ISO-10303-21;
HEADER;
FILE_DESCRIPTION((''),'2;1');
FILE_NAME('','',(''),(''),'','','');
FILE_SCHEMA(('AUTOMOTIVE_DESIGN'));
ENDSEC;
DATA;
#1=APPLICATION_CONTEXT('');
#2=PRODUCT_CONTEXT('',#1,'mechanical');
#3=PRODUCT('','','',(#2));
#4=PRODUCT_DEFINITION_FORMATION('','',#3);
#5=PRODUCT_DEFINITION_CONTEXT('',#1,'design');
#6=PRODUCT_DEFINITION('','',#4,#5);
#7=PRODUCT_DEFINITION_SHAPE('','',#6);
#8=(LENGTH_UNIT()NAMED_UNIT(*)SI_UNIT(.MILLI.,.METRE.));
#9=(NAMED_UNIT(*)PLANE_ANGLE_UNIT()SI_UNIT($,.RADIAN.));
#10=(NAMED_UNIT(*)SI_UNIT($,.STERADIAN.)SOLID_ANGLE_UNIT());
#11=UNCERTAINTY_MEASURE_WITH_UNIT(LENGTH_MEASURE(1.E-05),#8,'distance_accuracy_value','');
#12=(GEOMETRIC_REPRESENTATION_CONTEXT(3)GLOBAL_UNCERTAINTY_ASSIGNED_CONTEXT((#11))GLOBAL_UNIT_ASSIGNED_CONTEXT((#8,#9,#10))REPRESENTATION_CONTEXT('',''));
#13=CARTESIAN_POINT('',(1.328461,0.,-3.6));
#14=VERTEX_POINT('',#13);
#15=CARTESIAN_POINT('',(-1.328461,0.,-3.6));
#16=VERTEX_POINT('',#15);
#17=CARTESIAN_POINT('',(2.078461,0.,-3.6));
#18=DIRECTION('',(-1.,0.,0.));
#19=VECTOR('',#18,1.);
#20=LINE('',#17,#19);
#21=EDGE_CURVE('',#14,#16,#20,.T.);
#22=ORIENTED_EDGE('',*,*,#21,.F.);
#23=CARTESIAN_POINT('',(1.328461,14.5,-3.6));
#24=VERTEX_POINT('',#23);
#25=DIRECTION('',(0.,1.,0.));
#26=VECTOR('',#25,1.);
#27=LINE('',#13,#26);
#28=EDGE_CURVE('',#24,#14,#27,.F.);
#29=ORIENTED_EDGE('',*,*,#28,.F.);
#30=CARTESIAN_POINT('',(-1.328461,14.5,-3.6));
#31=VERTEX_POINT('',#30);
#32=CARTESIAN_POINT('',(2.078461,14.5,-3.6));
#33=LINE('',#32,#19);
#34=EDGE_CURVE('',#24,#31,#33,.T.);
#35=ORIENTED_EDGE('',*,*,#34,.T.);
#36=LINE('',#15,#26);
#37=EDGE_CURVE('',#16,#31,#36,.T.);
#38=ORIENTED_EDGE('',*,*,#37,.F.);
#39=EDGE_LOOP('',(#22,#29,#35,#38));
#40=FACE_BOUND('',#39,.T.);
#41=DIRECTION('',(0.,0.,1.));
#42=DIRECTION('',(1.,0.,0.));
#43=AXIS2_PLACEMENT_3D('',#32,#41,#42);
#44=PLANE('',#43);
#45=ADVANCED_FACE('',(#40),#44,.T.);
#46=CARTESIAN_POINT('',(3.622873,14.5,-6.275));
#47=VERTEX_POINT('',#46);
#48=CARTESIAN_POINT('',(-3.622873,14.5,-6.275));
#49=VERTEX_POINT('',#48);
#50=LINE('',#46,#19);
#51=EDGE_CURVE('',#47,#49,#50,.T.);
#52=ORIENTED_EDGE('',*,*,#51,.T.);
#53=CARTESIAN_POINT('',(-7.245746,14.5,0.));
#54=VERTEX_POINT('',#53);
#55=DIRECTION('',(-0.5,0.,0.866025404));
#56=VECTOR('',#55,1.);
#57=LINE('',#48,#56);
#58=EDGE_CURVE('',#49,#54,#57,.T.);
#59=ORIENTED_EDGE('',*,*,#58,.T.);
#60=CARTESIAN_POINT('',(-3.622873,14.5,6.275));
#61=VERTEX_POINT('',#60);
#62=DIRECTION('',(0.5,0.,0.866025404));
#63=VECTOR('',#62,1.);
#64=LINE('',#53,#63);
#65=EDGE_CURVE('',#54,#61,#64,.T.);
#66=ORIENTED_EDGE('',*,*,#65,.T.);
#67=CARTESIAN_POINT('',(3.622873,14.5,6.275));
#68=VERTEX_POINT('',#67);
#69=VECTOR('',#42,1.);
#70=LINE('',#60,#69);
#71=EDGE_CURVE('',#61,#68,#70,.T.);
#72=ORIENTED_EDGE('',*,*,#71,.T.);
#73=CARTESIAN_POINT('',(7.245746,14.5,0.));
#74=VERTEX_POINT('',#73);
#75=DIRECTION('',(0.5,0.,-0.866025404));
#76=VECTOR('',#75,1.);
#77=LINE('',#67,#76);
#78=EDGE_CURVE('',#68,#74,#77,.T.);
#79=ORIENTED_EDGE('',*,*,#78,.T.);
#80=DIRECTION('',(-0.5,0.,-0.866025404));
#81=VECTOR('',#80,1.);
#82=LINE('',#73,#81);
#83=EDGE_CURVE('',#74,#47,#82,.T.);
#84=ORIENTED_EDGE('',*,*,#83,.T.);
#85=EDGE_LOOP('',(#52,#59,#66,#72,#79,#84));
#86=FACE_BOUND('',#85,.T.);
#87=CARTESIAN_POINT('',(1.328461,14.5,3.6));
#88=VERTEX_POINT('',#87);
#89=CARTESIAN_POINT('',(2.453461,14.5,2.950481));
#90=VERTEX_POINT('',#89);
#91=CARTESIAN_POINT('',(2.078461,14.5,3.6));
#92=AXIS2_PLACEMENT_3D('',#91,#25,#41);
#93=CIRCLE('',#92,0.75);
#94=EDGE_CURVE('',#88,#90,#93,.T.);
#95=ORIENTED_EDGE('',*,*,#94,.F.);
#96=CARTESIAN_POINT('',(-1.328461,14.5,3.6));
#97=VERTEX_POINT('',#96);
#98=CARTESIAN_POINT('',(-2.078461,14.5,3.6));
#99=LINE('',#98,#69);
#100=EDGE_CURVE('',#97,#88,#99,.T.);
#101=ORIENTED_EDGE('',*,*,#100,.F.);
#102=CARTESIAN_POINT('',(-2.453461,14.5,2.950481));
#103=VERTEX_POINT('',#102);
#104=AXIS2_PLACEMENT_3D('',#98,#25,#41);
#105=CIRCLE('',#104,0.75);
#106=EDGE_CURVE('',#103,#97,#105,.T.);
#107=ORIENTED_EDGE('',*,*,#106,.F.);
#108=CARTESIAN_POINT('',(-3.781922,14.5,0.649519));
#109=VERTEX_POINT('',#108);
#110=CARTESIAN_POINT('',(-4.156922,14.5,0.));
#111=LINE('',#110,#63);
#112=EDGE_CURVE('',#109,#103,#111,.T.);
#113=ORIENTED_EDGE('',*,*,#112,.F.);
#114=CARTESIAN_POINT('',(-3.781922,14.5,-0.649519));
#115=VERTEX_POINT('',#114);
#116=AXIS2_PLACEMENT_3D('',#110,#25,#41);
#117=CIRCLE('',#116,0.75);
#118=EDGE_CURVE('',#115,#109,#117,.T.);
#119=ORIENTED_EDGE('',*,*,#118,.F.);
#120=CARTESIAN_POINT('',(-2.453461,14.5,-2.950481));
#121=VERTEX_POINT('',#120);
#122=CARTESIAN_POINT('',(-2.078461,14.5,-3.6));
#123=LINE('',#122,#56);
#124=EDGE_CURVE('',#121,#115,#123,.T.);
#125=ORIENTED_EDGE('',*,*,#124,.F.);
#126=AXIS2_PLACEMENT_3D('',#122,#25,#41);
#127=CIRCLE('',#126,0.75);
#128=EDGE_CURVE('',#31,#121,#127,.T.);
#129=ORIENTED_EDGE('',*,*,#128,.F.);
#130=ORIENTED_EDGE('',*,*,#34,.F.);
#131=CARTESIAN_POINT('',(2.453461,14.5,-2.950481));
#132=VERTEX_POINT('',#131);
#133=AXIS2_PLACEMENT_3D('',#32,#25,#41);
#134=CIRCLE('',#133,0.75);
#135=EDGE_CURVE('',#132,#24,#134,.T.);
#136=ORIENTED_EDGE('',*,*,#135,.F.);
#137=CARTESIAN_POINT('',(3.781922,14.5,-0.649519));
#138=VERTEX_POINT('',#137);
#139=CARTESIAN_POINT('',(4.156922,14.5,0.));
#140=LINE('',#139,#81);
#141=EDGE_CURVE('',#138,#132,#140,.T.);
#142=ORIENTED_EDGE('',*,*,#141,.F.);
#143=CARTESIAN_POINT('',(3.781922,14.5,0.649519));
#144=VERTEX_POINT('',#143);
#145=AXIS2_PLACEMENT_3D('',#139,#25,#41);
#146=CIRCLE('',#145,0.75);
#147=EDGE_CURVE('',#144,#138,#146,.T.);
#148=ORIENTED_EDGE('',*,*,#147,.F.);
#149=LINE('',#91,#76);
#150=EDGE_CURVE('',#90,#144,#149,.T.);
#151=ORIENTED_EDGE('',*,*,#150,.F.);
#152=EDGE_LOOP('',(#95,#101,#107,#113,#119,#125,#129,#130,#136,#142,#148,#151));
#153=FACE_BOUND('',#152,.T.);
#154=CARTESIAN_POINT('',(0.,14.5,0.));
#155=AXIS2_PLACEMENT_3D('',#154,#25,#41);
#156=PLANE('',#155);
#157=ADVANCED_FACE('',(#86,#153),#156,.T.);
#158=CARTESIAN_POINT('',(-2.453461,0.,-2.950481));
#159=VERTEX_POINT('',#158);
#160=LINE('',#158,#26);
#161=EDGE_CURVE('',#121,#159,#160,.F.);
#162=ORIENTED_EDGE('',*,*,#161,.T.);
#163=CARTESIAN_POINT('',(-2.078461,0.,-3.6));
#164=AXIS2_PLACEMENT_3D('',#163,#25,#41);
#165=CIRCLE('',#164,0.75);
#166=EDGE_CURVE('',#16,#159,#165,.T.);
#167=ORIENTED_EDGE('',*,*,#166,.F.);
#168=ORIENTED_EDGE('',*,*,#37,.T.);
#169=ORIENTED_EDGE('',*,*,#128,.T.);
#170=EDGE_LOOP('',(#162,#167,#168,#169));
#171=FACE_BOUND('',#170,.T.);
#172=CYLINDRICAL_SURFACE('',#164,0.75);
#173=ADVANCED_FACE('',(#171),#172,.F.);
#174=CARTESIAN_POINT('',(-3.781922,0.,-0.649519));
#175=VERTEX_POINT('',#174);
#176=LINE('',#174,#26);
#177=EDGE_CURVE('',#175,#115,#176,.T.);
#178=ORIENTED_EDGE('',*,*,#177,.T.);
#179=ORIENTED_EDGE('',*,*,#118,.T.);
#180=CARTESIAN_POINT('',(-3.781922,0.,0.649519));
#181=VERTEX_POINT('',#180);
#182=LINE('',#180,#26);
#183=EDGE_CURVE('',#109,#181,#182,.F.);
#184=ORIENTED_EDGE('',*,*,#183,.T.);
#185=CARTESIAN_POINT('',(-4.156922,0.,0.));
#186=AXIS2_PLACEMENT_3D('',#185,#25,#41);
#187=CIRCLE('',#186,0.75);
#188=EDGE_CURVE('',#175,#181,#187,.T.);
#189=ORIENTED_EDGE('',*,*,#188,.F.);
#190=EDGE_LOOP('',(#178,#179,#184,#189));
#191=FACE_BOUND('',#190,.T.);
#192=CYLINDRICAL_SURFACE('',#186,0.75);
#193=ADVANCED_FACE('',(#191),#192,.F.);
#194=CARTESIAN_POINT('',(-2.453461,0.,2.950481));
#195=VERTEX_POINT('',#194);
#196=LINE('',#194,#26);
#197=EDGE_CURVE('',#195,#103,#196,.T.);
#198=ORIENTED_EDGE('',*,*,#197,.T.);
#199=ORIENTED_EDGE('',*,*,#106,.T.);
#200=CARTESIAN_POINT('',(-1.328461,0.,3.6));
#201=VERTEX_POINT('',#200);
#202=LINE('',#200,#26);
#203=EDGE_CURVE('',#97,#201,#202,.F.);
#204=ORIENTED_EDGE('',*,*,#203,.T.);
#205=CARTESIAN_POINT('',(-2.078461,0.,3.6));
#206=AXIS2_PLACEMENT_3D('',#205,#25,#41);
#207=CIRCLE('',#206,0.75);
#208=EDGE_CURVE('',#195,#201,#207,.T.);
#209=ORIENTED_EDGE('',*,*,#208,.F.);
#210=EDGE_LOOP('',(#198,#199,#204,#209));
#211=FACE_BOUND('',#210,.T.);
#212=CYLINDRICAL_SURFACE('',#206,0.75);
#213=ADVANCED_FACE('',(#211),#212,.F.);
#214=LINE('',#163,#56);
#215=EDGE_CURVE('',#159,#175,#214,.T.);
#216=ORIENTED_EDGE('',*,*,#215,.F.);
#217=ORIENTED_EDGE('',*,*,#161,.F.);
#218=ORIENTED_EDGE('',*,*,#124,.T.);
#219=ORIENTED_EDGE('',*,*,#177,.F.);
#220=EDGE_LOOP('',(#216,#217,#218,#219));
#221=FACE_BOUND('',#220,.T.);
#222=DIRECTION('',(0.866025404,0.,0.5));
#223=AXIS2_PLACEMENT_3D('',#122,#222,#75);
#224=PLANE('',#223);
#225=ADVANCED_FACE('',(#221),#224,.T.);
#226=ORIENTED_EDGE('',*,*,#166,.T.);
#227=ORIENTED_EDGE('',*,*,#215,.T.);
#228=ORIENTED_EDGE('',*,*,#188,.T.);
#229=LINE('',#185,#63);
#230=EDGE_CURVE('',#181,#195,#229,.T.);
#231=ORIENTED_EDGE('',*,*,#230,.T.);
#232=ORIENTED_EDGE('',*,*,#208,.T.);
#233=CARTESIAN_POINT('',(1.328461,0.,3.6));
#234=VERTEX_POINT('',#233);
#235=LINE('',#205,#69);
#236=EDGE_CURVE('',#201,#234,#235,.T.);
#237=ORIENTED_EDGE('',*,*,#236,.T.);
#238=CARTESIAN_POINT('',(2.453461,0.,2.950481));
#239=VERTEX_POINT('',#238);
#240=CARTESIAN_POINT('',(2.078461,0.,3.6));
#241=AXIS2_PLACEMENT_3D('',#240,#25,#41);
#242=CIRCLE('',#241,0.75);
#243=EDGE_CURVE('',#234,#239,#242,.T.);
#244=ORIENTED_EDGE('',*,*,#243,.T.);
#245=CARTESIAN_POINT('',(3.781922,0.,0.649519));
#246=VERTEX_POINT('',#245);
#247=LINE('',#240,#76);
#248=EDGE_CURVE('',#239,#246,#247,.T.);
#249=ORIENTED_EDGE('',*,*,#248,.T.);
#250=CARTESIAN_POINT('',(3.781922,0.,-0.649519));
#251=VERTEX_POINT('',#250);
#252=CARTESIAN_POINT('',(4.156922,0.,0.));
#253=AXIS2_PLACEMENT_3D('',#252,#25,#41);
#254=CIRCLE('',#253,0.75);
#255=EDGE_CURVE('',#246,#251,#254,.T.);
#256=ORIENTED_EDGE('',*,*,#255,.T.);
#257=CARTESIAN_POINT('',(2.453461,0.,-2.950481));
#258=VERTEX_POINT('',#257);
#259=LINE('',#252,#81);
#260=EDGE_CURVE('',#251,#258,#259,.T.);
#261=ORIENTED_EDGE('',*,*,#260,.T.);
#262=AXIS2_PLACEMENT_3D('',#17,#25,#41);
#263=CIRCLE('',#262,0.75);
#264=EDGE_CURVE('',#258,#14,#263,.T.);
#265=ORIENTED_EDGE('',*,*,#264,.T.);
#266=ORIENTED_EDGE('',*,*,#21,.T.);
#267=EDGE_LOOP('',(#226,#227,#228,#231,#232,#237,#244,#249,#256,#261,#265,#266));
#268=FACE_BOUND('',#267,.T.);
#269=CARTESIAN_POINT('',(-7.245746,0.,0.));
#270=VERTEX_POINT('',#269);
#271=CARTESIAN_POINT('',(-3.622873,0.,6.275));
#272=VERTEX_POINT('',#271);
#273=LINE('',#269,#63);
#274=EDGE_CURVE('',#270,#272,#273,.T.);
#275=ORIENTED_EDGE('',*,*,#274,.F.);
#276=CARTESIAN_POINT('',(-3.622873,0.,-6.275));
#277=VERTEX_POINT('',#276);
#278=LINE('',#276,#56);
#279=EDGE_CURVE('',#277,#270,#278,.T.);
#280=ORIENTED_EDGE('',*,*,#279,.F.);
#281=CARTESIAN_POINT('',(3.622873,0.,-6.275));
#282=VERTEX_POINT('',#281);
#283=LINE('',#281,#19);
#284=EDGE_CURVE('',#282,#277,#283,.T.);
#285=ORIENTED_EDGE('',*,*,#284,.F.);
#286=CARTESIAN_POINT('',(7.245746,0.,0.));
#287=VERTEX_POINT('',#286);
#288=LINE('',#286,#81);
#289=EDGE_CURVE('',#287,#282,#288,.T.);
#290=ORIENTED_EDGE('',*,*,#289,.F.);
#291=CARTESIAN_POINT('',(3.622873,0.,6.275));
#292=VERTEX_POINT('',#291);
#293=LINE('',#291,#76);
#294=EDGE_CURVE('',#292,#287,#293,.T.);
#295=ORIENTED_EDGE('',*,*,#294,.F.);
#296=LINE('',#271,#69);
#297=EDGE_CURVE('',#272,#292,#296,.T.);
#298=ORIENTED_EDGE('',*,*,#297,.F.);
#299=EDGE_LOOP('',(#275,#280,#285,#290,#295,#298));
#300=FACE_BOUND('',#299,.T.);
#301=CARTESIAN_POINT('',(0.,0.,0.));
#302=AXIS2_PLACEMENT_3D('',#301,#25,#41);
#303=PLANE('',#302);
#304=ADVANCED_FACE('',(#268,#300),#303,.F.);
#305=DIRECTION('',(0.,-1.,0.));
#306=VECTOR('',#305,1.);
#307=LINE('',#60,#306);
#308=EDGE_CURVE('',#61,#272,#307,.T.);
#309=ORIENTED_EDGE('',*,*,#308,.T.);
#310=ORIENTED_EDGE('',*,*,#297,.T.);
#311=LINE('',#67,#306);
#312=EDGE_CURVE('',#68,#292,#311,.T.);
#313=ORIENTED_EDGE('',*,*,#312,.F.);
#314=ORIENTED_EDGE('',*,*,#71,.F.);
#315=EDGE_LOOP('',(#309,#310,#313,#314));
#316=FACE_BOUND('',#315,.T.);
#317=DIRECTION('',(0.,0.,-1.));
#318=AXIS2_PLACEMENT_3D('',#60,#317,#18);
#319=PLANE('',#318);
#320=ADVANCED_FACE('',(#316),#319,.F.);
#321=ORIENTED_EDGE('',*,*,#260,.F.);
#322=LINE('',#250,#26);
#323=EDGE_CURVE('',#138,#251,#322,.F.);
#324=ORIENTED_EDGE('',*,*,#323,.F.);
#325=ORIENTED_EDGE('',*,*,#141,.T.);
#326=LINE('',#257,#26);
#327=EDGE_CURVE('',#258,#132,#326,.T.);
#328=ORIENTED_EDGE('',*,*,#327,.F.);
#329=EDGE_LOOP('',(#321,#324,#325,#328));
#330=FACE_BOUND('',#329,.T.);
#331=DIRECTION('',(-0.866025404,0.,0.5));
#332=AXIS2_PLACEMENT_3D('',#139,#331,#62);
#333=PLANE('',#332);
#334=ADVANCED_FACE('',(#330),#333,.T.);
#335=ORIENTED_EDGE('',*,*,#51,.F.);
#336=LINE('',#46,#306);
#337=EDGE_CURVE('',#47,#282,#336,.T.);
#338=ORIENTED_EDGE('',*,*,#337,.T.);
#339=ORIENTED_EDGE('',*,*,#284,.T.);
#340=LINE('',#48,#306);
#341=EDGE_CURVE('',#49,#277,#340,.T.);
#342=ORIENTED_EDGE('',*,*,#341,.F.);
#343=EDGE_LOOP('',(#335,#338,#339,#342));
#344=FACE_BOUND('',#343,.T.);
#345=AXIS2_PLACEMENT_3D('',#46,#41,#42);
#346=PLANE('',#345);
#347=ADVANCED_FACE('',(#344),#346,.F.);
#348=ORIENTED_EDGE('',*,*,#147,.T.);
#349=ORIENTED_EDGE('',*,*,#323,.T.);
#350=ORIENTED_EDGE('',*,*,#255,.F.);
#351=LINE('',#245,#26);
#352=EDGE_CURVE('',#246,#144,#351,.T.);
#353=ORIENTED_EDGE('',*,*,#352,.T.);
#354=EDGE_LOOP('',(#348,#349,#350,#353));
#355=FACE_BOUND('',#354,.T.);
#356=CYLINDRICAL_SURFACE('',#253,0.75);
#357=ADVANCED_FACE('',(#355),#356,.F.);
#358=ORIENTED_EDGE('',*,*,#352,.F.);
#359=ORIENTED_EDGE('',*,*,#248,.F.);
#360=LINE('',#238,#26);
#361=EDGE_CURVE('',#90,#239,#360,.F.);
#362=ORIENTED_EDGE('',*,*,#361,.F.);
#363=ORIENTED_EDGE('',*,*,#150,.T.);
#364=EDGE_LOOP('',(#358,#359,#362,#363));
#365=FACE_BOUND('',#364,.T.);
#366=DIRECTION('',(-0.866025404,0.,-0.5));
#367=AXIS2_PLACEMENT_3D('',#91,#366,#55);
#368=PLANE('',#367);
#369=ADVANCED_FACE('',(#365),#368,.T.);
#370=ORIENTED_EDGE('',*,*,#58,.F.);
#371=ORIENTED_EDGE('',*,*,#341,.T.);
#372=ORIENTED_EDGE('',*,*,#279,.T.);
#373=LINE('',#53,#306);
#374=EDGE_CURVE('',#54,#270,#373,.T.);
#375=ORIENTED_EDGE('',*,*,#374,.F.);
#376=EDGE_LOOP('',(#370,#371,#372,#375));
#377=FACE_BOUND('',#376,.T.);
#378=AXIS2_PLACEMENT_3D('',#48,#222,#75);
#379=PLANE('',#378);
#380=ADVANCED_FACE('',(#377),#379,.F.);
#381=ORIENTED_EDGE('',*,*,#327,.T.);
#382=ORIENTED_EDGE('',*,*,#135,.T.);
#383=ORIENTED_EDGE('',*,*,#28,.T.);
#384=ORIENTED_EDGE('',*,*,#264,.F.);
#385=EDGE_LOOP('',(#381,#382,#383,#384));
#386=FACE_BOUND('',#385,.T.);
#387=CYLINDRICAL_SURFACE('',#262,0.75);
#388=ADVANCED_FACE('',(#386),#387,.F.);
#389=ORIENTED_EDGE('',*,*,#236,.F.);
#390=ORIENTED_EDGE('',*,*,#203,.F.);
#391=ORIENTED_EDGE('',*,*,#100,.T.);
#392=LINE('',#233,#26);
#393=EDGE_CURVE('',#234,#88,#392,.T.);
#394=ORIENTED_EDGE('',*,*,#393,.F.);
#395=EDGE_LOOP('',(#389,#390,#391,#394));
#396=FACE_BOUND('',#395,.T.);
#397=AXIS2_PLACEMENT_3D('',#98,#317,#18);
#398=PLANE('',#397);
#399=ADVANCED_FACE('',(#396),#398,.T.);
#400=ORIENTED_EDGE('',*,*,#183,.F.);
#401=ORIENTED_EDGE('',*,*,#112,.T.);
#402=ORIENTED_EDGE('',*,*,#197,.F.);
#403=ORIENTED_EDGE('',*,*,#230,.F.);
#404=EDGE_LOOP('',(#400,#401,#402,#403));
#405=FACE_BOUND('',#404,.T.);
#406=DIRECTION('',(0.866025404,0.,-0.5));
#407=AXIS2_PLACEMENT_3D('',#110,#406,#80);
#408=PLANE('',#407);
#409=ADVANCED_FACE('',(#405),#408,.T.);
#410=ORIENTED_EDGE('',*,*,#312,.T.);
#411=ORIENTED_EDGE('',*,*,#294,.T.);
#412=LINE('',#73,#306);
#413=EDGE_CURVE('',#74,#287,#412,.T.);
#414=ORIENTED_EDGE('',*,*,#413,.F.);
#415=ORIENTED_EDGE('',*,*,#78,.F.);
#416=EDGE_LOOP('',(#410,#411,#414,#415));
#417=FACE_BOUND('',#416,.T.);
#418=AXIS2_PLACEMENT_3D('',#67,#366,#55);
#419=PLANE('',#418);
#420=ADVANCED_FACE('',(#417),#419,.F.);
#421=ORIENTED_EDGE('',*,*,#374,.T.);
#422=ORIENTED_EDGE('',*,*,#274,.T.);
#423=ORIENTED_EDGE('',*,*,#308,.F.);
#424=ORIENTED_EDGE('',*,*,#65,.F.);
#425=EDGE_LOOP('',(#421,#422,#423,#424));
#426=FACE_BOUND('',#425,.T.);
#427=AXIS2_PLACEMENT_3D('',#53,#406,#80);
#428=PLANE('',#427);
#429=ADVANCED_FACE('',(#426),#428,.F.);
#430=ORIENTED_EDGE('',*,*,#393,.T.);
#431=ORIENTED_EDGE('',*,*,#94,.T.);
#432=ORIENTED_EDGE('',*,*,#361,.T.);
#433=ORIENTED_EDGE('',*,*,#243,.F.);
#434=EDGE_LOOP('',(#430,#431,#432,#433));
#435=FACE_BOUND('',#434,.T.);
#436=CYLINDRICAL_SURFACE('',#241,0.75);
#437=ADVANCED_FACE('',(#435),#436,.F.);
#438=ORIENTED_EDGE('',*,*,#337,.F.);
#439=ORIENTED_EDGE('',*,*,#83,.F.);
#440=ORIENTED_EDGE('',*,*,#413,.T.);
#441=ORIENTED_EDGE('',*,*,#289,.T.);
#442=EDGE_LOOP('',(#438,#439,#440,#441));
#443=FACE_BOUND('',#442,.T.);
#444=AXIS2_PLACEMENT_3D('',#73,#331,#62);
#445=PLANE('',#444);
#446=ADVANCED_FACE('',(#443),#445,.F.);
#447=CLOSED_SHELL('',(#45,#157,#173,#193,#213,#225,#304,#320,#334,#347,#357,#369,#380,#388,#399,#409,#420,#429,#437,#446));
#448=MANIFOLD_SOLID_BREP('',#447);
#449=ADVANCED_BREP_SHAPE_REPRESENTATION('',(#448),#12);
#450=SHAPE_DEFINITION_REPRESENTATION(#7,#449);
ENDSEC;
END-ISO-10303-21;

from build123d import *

# Parameters (mm, degrees)
BOSS_EXTRUDE1_DEPTH = 14.5
SKETCH2_R           = 0.75
CUT_EXTRUDE1_DEPTH  = 18.381785246


with BuildPart() as part:
    # Sketch1 → Boss-Extrude1 (new body)
    with BuildSketch(Plane(origin=(0, 0, 0), x_dir=(1, 0, 0), z_dir=(0, 1, 0))):
        Polygon((-3.622872939, 6.275), (-7.245745878, 0), (-3.622872939, -6.275), (3.622872939, -6.275), (7.245745878, 0), (3.622872939, 6.275), align=None)
        Polygon((4.156921938, 0), (2.078460969, 3.6), (-2.078460969, 3.6), (-4.156921938, 0), (-2.078460969, -3.6), (2.078460969, -3.6), align=None, mode=Mode.SUBTRACT)
    extrude(amount=BOSS_EXTRUDE1_DEPTH)

    # Sketch2 → Cut-Extrude1 (cut, through all)
    with BuildSketch(Plane(origin=(0, 14.5, 0), x_dir=(1, 0, 0), z_dir=(0, 1, 0))):
        with Locations((-2.078460969, 3.6)):
            Circle(SKETCH2_R)
        with Locations((2.078460969, 3.6)):
            Circle(SKETCH2_R)
        with Locations((4.156921938, 0)):
            Circle(SKETCH2_R)
        with Locations((2.078460969, -3.6)):
            Circle(SKETCH2_R)
        with Locations((-2.078460969, -3.6)):
            Circle(SKETCH2_R)
        with Locations((-4.156921938, 0)):
            Circle(SKETCH2_R)
    extrude(amount=-CUT_EXTRUDE1_DEPTH, mode=Mode.SUBTRACT)


solid = part.part
